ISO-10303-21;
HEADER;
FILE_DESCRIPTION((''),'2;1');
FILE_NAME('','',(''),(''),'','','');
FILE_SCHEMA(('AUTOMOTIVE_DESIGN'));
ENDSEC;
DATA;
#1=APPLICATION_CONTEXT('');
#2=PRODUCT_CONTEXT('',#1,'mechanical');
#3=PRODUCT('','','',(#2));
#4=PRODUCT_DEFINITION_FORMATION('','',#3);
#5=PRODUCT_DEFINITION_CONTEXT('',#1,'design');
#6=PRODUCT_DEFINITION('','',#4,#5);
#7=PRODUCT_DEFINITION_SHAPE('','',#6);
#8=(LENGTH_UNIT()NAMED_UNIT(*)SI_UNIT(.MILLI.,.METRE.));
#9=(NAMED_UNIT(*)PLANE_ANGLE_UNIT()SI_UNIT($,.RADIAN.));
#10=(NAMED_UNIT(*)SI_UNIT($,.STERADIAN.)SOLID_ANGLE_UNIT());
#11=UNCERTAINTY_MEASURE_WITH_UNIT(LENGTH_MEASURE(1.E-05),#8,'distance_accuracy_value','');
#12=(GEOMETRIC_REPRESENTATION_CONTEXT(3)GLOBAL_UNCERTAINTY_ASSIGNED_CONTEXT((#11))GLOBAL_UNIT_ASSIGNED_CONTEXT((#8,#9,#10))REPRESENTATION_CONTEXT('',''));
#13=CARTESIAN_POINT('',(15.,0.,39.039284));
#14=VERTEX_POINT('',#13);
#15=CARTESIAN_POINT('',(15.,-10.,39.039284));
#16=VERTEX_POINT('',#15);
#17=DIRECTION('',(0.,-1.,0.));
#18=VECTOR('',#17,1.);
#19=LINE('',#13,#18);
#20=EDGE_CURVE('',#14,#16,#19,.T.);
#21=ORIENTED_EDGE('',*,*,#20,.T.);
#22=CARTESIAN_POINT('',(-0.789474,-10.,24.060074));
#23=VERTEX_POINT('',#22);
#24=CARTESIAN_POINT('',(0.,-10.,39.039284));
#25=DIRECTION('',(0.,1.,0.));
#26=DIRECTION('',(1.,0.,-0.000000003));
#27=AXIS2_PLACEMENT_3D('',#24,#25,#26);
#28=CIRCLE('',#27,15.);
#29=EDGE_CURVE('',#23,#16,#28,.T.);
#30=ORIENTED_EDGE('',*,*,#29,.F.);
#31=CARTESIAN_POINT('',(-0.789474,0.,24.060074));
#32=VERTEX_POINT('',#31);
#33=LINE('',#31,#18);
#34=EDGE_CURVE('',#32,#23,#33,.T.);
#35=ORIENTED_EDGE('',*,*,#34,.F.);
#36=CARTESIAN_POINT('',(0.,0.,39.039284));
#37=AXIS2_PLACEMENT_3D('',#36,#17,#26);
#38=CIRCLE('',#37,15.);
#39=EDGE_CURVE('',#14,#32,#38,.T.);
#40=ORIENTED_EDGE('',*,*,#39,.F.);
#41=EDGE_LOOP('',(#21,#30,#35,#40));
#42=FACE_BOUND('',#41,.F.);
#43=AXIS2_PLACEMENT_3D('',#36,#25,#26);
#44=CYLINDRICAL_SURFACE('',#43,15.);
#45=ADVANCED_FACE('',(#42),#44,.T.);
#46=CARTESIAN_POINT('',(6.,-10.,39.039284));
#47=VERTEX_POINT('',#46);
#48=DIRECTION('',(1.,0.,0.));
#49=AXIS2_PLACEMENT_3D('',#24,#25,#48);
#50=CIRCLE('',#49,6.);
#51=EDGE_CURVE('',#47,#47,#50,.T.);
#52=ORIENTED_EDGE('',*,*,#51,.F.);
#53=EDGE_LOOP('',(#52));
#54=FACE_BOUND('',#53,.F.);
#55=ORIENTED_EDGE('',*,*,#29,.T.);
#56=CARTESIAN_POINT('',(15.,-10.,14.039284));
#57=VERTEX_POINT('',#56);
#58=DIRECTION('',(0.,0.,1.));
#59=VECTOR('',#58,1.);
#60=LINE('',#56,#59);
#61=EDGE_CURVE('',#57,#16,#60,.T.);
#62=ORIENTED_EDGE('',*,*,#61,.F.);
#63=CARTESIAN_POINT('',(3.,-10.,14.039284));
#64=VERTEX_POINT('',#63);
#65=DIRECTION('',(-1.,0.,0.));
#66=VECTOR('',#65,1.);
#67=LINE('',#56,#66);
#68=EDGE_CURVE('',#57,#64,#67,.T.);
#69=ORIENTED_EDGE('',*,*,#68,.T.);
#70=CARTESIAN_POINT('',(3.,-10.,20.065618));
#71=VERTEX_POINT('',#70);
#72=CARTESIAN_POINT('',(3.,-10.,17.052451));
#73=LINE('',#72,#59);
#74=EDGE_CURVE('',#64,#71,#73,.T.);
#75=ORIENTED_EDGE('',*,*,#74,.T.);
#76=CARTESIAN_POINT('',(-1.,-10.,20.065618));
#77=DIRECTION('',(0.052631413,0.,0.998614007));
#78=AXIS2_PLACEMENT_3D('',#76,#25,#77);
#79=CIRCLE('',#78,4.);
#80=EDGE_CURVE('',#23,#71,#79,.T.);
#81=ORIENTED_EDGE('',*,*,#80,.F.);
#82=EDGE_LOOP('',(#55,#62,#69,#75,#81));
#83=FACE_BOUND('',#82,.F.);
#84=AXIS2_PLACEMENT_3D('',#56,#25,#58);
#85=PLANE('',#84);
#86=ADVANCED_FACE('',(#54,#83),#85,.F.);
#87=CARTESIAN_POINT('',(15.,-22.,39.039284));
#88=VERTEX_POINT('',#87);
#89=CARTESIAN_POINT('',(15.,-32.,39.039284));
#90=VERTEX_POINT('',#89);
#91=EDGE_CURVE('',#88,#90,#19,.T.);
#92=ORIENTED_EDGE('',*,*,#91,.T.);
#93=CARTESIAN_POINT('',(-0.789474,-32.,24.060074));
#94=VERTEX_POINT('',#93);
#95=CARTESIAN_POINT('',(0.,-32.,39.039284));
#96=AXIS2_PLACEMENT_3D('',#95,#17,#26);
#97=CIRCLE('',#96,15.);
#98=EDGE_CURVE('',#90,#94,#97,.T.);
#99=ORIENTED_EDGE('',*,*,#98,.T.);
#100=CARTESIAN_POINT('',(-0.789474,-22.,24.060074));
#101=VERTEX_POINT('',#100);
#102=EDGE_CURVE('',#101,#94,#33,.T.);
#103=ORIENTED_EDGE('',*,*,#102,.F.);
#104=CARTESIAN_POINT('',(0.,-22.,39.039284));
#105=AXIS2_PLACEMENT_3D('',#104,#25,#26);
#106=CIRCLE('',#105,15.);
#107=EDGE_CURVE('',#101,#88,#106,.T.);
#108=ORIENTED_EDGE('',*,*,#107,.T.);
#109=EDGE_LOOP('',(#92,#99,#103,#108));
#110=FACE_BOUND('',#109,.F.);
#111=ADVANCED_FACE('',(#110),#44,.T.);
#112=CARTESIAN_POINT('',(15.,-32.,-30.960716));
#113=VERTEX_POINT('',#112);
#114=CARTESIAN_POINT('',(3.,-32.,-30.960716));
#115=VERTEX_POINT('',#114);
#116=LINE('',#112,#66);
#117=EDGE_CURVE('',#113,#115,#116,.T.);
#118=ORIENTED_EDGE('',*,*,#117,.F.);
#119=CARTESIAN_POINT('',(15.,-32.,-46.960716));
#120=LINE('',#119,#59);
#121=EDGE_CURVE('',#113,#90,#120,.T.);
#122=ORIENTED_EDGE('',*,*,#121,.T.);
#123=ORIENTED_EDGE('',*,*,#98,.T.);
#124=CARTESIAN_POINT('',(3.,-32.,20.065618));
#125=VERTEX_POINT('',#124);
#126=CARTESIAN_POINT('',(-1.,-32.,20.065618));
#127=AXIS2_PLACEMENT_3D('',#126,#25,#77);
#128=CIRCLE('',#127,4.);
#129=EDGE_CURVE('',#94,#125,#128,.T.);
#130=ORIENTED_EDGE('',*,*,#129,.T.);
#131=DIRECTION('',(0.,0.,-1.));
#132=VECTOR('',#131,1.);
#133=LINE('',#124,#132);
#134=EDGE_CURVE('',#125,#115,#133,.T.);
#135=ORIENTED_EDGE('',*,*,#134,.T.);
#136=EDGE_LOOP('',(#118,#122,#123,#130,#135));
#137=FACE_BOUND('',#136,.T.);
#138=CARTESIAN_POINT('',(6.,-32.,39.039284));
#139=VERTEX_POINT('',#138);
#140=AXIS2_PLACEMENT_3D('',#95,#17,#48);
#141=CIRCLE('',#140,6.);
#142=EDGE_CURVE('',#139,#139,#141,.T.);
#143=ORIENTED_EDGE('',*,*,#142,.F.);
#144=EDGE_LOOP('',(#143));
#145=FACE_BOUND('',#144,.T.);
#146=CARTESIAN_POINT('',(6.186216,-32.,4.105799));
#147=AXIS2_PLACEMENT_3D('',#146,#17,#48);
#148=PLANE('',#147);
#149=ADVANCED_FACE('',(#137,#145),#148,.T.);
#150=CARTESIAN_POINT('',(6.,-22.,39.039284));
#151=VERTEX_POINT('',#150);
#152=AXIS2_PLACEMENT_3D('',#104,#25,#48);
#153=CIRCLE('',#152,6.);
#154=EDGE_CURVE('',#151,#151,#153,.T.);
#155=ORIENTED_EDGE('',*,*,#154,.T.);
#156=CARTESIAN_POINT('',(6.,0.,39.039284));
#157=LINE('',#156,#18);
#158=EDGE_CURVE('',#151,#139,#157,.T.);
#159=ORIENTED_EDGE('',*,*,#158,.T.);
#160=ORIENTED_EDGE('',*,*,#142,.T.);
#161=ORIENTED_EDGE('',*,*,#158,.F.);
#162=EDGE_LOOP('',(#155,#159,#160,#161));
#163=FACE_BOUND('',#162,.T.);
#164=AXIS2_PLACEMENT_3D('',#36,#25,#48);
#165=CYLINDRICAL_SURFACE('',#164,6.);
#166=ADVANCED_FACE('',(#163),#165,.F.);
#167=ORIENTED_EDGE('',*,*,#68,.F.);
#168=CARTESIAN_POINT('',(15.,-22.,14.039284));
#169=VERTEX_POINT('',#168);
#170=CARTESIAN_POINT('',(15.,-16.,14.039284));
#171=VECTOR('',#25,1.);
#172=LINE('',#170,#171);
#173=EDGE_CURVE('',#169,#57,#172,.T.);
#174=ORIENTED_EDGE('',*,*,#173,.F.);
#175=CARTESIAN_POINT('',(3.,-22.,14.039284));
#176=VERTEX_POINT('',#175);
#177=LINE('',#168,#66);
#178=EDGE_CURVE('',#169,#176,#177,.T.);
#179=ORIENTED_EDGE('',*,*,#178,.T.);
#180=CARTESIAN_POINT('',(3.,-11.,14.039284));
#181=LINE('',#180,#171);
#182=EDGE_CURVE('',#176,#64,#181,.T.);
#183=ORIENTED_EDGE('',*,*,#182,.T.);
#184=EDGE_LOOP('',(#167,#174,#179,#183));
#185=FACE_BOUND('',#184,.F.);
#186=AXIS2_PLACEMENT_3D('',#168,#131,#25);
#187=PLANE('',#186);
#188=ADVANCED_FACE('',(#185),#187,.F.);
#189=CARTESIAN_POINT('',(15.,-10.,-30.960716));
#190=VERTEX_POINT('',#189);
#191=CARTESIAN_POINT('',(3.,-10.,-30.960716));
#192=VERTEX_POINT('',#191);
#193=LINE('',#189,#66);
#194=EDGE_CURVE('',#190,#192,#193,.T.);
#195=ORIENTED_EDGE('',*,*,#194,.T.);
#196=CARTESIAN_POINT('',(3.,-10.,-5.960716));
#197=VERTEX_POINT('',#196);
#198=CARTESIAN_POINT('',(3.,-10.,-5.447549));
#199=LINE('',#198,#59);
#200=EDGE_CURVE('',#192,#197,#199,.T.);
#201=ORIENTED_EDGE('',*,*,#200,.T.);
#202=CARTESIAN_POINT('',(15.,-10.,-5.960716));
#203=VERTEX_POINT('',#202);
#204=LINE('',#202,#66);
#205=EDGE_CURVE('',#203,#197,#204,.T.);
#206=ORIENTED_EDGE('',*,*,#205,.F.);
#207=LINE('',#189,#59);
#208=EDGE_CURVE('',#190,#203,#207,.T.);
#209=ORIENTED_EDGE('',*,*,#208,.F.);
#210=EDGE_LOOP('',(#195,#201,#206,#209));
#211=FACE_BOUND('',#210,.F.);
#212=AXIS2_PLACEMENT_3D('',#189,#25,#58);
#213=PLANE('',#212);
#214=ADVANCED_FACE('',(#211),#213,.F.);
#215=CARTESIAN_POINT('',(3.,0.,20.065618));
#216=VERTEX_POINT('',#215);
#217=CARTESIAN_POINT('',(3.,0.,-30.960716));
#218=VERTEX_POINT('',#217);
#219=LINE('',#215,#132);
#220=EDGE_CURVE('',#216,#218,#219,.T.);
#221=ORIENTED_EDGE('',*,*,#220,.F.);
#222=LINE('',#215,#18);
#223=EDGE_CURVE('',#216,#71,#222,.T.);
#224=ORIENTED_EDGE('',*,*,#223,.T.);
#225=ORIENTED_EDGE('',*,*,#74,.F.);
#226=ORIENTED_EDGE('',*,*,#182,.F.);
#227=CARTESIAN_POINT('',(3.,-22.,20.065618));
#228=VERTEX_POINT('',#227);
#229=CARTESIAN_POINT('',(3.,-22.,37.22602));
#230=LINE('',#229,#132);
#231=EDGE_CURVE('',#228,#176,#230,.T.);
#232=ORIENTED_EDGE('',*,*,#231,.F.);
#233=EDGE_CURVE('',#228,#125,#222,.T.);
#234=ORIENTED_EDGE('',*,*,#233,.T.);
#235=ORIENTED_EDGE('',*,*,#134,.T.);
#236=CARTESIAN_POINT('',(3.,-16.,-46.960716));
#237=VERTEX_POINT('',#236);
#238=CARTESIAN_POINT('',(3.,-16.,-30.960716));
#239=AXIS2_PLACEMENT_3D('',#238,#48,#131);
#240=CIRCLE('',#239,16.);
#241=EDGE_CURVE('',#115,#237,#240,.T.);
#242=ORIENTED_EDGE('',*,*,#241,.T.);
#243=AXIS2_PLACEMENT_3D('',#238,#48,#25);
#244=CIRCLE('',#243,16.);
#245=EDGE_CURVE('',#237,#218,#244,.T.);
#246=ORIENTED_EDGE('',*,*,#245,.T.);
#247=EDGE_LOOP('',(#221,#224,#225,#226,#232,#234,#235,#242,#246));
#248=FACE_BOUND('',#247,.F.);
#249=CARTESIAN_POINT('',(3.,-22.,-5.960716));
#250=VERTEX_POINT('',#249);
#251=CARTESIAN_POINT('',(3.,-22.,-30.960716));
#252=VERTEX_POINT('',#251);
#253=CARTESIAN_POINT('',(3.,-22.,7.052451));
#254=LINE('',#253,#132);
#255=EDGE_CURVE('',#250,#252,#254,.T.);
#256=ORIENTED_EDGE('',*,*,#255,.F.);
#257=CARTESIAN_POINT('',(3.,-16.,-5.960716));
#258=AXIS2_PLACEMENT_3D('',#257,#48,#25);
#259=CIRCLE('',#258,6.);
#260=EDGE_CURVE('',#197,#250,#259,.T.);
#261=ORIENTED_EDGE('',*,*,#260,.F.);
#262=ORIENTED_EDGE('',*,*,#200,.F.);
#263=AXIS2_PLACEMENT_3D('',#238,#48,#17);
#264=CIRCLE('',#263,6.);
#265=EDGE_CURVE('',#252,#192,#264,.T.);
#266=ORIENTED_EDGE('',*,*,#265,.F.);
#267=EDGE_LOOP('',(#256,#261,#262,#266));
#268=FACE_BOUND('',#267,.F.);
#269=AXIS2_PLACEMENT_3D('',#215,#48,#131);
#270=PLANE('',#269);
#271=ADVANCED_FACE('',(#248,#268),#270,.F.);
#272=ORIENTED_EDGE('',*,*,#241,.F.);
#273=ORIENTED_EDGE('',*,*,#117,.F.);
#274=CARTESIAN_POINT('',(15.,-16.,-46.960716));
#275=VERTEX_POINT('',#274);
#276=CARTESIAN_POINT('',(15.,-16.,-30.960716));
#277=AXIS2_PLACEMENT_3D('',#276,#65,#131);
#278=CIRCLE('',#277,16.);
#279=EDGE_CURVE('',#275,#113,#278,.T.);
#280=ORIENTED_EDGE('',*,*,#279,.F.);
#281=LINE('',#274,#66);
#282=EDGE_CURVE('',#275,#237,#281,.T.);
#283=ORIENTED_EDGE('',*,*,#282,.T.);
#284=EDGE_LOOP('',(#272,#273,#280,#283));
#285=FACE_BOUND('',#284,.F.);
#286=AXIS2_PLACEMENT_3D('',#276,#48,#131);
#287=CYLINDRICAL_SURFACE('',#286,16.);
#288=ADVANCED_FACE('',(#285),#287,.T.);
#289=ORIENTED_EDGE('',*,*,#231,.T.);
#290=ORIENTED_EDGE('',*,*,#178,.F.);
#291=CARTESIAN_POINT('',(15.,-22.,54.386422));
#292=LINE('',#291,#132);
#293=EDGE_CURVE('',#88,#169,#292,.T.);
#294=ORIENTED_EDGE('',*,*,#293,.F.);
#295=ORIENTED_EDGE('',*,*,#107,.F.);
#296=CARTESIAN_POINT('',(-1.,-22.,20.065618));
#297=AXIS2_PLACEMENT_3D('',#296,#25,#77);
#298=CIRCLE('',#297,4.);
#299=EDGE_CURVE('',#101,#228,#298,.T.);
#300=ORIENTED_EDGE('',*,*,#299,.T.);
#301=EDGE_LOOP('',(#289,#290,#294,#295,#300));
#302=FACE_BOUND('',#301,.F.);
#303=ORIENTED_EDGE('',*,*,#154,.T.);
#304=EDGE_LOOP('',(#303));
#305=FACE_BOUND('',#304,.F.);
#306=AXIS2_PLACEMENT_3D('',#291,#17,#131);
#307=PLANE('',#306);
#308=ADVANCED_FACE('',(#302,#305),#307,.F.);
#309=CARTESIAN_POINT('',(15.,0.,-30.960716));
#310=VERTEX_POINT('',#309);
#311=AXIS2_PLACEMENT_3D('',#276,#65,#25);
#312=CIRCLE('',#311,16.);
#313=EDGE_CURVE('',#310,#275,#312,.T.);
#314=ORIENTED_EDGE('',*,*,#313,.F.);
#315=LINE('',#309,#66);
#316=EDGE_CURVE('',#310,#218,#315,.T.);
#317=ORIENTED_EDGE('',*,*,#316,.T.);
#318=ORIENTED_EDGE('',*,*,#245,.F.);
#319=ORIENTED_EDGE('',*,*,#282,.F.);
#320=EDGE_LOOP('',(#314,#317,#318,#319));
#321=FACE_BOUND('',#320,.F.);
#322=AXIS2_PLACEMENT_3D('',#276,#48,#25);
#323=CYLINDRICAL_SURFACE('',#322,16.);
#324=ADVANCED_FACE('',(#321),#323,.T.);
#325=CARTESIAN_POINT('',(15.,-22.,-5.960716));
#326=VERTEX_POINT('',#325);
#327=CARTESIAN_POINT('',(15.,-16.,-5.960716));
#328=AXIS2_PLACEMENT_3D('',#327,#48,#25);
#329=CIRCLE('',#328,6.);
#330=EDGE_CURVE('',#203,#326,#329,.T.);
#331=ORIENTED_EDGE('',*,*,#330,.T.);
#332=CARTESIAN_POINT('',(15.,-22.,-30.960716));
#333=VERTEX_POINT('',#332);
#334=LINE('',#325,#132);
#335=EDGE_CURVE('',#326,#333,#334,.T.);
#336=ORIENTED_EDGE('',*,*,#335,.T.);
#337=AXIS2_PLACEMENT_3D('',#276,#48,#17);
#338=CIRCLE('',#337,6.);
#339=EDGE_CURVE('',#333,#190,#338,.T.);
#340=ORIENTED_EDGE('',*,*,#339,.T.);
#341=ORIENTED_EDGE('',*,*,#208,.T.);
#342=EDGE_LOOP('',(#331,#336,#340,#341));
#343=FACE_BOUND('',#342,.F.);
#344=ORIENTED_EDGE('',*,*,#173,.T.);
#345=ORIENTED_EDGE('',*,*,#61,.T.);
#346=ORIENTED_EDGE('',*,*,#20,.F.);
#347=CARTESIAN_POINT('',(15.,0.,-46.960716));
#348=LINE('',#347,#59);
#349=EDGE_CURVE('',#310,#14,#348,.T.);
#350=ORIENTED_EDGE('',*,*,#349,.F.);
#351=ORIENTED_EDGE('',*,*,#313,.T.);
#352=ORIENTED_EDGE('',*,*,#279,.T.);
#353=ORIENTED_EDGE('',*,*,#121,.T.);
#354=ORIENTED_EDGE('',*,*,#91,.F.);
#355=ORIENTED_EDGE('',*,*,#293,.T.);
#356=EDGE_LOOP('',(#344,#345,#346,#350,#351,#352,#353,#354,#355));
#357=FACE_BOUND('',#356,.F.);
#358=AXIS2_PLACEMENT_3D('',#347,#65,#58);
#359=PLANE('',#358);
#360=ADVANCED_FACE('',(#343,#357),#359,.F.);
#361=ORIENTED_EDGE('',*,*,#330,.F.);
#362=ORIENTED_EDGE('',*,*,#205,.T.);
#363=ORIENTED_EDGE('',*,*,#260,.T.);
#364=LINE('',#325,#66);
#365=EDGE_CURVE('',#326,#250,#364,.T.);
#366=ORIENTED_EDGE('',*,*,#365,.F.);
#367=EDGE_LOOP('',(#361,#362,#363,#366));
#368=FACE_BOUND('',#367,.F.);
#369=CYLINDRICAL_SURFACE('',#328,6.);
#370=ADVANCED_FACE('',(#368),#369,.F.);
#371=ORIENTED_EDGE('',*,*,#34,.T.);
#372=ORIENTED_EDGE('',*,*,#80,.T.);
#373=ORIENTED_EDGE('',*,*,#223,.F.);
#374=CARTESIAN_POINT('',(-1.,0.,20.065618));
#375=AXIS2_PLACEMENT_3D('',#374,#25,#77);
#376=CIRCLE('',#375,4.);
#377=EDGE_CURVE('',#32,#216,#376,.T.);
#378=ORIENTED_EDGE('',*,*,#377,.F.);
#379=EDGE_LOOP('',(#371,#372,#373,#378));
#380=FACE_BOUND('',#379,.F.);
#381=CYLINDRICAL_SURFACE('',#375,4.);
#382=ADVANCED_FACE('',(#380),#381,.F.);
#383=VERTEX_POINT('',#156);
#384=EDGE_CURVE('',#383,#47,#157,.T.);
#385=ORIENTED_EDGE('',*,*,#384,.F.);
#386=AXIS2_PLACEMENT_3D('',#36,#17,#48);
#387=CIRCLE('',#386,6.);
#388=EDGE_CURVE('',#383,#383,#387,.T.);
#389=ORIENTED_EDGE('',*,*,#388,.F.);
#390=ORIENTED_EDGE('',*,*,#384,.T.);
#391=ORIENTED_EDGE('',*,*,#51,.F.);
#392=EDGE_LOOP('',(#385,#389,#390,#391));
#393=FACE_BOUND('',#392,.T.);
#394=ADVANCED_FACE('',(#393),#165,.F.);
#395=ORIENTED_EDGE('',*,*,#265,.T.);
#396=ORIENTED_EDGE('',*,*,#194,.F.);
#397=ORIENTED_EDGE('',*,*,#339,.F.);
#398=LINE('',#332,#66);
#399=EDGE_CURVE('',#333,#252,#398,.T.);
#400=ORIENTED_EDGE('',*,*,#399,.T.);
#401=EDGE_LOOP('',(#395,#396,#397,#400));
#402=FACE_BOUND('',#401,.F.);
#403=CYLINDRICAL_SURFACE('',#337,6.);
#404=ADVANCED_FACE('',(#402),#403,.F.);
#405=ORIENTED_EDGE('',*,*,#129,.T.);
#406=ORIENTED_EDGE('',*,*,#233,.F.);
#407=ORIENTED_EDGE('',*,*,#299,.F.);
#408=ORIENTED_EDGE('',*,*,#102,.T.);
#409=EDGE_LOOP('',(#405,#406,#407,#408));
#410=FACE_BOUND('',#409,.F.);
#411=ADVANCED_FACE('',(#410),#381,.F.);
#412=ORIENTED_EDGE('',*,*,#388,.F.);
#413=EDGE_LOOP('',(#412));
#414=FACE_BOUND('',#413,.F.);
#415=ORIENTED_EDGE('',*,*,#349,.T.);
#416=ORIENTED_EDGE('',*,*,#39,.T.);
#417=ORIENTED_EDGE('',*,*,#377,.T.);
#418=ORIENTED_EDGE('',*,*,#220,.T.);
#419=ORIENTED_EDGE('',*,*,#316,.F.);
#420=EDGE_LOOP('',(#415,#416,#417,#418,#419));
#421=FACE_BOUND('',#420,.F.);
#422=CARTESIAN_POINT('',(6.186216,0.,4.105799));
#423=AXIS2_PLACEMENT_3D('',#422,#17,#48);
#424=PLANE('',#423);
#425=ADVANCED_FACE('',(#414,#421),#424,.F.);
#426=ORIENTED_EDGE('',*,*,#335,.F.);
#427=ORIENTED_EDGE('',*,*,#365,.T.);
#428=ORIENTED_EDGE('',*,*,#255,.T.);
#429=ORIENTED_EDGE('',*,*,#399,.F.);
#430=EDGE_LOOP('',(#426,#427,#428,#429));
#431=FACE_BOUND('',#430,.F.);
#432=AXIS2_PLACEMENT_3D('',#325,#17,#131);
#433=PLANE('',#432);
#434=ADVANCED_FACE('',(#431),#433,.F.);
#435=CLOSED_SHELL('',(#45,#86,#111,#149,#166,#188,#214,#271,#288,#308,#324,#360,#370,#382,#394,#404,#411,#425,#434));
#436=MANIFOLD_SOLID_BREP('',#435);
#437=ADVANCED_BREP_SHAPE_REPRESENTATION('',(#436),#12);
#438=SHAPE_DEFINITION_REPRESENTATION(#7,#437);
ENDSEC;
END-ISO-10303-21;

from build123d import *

# Parameters (mm, degrees)
F0_R     = 6
F1_DEPTH = 32
F2_W     = 12
F2_H     = 15.347138
F2_H_2   = 25
F3_DEPTH = 30.001


with BuildPart() as f1:
    # F0 (on Front) → F1 (new body)
    with BuildSketch(Plane.XZ):
        with BuildLine():
            Line((15, -46.960716), (15, 39.039284))
            ThreePointArc((15, 39.039284), (-10.323708, 49.921428), (-0.789474, 24.060074))
            ThreePointArc((-0.789474, 24.060074), (1.901905, 22.818607), (3, 20.065618))
            Line((3, 20.065618), (3, -46.960716))
            Line((3, -46.960716), (15, -46.960716))
        make_face()
        with Locations((0, 39.039284)):
            Circle(F0_R, mode=Mode.SUBTRACT)
    extrude(amount=F1_DEPTH)

    # F2 (on face) → F3 (cut, through all)
    with BuildSketch(Plane.YZ.offset(15)):
        with Locations((-16, 46.712853)):
            Rectangle(F2_W, F2_H)
        with Locations((-16, 26.539284)):
            Rectangle(F2_W, F2_H_2)
        with BuildLine():
            Line((-22, -5.960716), (-22, -30.960716))
            ThreePointArc((-22, -30.960716), (-16, -36.960716), (-10, -30.960716))
            Line((-10, -30.960716), (-10, -5.960716))
            ThreePointArc((-10, -5.960716), (-16, 0.039284), (-22, -5.960716))
        make_face()
        with BuildLine():
            ThreePointArc((-16, -46.960716), (-27.313708, -42.274425), (-32, -30.960716))
            Line((-32, -30.960716), (-32, -46.960716))
            Line((-32, -46.960716), (-16, -46.960716))
        make_face()
        with BuildLine():
            ThreePointArc((0, -30.960716), (-4.686292, -42.274425), (-16, -46.960716))
            Line((-16, -46.960716), (0, -46.960716))
            Line((0, -46.960716), (0, -30.960716))
        make_face()
    extrude(amount=-F3_DEPTH, mode=Mode.SUBTRACT)


solid = f1.part
